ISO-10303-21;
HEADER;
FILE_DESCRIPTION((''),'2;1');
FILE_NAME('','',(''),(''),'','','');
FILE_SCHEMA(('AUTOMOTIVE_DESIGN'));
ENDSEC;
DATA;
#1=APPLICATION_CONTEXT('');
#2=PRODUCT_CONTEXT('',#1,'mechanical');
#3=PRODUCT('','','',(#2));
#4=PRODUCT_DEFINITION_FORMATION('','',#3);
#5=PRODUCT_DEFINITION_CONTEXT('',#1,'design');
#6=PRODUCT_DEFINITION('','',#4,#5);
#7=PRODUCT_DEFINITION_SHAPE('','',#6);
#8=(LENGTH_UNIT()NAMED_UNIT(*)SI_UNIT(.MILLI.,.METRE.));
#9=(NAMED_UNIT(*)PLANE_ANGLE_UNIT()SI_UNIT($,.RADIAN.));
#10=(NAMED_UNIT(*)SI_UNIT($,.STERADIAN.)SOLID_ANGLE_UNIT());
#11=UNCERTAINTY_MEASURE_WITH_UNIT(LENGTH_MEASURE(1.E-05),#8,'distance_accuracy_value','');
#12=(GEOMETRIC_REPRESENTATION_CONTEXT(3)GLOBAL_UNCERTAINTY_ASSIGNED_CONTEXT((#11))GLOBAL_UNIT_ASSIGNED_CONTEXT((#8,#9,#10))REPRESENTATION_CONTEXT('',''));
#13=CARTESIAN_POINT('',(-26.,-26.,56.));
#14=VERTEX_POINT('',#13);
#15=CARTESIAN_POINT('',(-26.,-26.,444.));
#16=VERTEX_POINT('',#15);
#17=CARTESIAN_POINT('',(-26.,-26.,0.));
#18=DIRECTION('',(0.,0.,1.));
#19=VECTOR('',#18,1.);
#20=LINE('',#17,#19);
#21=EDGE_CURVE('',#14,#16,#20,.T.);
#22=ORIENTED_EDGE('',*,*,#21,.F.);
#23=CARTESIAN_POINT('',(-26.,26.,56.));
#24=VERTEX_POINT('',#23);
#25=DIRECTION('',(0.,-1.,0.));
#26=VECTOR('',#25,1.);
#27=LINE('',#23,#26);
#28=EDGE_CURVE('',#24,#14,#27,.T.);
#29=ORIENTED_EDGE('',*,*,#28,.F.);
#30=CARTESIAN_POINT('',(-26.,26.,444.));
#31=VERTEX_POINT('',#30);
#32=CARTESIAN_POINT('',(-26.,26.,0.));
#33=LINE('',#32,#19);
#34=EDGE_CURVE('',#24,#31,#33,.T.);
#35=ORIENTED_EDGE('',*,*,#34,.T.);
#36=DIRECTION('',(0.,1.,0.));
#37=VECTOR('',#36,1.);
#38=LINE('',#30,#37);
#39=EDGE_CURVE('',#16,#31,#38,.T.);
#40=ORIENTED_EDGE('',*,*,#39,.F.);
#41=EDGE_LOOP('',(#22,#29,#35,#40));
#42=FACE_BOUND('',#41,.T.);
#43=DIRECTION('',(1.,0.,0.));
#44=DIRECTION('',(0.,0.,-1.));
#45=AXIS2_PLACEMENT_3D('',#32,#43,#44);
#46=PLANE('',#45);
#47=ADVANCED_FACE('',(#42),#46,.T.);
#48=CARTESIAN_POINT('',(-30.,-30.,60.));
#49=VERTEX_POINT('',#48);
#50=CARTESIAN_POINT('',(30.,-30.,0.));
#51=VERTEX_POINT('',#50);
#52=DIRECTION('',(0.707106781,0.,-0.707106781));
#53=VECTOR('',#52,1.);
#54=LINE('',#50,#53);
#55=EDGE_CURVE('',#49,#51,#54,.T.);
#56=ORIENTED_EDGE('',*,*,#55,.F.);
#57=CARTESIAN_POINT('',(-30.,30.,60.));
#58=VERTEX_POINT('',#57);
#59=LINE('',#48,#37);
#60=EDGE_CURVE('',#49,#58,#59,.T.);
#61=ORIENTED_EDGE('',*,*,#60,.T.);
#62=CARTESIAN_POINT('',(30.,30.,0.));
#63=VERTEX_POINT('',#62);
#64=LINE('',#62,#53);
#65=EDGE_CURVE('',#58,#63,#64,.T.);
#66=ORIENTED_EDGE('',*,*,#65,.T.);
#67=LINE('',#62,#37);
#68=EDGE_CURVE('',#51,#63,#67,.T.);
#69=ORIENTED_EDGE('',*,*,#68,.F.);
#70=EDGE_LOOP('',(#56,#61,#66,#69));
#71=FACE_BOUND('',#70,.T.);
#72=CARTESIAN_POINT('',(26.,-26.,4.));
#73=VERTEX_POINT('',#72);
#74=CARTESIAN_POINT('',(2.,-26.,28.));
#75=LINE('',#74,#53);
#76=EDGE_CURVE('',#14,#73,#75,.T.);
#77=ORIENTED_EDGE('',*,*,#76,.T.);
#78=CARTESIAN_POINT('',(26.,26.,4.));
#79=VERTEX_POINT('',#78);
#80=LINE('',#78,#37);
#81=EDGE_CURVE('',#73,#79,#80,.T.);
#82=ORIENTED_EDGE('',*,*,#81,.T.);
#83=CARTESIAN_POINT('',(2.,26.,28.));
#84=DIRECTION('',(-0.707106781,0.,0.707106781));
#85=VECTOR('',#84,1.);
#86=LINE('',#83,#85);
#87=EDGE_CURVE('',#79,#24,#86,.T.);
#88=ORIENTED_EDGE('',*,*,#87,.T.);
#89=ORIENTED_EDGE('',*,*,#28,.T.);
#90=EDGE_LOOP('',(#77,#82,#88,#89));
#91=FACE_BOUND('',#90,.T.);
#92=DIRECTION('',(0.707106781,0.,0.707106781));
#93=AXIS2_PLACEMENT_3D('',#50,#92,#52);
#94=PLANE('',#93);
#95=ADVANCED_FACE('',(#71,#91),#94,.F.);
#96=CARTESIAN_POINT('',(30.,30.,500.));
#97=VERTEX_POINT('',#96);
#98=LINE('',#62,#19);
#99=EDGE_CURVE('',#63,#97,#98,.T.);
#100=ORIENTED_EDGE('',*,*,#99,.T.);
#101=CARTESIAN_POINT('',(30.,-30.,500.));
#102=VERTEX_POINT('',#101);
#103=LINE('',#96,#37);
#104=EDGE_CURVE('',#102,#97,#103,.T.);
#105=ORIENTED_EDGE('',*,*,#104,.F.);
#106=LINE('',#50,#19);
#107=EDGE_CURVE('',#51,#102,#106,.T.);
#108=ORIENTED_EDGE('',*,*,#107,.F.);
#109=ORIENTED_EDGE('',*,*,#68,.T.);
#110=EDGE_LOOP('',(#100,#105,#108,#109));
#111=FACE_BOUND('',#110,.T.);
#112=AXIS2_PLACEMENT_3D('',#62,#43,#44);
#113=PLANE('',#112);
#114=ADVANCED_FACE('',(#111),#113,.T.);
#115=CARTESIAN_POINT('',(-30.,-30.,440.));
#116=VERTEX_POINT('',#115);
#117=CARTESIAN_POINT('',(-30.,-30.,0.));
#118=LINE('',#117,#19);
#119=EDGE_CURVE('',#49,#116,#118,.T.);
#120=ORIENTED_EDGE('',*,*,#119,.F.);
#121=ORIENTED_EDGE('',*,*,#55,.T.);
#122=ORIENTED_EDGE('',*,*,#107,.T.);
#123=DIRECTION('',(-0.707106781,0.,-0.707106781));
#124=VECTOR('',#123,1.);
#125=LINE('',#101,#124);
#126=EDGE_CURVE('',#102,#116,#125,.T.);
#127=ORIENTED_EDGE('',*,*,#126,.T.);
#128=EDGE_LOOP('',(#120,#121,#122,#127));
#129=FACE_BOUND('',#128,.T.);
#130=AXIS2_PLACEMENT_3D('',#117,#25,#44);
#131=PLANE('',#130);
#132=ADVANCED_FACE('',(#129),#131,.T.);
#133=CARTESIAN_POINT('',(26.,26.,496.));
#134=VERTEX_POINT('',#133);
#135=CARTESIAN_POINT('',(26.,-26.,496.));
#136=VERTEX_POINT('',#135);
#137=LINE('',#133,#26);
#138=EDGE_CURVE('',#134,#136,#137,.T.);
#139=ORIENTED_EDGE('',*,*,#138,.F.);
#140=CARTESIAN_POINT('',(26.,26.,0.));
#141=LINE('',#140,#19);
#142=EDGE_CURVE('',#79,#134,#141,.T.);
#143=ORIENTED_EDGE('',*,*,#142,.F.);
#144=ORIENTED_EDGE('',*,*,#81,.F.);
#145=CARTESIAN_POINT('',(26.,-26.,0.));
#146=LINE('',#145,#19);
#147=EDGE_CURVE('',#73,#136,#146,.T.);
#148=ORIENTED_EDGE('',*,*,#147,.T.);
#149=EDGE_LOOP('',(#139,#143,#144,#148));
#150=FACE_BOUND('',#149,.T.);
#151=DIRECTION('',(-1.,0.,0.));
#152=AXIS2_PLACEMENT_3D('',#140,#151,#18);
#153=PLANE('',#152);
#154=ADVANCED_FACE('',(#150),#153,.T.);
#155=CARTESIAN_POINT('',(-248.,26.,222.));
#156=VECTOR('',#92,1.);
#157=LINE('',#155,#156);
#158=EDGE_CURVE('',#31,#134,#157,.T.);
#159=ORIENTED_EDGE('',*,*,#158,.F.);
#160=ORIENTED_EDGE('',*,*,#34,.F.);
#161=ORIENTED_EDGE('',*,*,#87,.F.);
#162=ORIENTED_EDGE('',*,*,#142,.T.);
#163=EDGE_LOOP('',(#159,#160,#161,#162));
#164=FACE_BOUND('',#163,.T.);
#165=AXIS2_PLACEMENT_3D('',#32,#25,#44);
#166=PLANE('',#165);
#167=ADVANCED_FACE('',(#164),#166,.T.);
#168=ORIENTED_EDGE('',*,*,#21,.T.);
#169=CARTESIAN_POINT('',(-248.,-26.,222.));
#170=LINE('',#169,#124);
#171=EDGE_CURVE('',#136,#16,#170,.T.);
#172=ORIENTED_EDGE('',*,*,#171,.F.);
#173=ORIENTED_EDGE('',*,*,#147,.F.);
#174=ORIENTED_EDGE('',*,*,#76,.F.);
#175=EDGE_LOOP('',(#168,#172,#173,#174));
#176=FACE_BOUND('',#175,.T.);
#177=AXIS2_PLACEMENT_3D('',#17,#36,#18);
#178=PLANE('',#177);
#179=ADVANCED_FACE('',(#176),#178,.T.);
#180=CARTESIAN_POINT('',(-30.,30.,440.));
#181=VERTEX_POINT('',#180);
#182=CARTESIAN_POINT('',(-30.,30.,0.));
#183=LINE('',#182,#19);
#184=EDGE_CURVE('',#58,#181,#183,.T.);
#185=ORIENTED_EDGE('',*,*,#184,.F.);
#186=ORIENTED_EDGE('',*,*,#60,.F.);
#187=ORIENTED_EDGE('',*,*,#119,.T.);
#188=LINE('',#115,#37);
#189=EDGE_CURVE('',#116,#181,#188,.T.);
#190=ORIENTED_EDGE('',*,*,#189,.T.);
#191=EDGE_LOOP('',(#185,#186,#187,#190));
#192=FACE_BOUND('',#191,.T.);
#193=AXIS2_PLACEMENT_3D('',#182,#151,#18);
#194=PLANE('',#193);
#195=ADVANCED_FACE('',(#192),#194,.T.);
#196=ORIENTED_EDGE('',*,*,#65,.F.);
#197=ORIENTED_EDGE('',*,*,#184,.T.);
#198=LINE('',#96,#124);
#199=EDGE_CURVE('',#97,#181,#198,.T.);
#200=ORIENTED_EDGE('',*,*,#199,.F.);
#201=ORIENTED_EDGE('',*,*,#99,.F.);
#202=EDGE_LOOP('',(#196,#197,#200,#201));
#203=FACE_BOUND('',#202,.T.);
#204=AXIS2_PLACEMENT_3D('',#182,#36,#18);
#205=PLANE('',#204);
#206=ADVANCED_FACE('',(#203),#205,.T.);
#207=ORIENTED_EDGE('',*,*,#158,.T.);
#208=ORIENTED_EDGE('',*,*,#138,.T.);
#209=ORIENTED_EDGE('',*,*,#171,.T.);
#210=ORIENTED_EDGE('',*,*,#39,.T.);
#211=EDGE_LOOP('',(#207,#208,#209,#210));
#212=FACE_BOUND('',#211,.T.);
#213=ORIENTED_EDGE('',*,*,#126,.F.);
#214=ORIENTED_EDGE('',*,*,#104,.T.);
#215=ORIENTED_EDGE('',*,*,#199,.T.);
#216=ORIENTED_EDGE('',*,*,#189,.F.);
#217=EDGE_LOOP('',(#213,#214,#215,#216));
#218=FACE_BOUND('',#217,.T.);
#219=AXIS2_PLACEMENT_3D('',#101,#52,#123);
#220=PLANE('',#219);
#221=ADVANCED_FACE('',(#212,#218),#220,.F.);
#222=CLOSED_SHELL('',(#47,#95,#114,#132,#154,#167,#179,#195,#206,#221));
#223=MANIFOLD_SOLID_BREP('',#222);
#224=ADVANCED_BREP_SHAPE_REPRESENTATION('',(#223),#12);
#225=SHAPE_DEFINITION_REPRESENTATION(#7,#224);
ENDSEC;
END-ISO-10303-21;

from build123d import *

# Parameters (mm, degrees)
SKETCH1_W          = 60
SKETCH1_H          = 60
SKETCH1_W_2        = 52
SKETCH1_H_2        = 52
CUT_EXTRUDE1_DEPTH = 61.0000001


with BuildPart() as part:
    # Sweep1: sweep along a curve in space
    with BuildLine() as sweep1_path:
        add(Edge.make_bspline(
            [(0, 0, 0), (0, 0, 500)],
            knots=[0, 0, 1, 1], degree=1))
    # Sketch1 → Sweep1 (sweep)
    with BuildSketch(Plane.XY):
        Rectangle(SKETCH1_W, SKETCH1_H)
        Rectangle(SKETCH1_W_2, SKETCH1_H_2, mode=Mode.SUBTRACT)
    sweep(path=sweep1_path.line)

    # Sketch2 → Cut-Extrude1 (cut, through all)
    with BuildSketch(Plane(origin=(0, 30, 0), x_dir=(1, 0, 0), z_dir=(0, 1, 0))):
        Polygon((30, 0), (-30, -60), (-30, 0), align=None)
        Polygon((30, -500), (-30, -440), (-30, -500), align=None)
    extrude(amount=-CUT_EXTRUDE1_DEPTH, mode=Mode.SUBTRACT)


solid = part.part
